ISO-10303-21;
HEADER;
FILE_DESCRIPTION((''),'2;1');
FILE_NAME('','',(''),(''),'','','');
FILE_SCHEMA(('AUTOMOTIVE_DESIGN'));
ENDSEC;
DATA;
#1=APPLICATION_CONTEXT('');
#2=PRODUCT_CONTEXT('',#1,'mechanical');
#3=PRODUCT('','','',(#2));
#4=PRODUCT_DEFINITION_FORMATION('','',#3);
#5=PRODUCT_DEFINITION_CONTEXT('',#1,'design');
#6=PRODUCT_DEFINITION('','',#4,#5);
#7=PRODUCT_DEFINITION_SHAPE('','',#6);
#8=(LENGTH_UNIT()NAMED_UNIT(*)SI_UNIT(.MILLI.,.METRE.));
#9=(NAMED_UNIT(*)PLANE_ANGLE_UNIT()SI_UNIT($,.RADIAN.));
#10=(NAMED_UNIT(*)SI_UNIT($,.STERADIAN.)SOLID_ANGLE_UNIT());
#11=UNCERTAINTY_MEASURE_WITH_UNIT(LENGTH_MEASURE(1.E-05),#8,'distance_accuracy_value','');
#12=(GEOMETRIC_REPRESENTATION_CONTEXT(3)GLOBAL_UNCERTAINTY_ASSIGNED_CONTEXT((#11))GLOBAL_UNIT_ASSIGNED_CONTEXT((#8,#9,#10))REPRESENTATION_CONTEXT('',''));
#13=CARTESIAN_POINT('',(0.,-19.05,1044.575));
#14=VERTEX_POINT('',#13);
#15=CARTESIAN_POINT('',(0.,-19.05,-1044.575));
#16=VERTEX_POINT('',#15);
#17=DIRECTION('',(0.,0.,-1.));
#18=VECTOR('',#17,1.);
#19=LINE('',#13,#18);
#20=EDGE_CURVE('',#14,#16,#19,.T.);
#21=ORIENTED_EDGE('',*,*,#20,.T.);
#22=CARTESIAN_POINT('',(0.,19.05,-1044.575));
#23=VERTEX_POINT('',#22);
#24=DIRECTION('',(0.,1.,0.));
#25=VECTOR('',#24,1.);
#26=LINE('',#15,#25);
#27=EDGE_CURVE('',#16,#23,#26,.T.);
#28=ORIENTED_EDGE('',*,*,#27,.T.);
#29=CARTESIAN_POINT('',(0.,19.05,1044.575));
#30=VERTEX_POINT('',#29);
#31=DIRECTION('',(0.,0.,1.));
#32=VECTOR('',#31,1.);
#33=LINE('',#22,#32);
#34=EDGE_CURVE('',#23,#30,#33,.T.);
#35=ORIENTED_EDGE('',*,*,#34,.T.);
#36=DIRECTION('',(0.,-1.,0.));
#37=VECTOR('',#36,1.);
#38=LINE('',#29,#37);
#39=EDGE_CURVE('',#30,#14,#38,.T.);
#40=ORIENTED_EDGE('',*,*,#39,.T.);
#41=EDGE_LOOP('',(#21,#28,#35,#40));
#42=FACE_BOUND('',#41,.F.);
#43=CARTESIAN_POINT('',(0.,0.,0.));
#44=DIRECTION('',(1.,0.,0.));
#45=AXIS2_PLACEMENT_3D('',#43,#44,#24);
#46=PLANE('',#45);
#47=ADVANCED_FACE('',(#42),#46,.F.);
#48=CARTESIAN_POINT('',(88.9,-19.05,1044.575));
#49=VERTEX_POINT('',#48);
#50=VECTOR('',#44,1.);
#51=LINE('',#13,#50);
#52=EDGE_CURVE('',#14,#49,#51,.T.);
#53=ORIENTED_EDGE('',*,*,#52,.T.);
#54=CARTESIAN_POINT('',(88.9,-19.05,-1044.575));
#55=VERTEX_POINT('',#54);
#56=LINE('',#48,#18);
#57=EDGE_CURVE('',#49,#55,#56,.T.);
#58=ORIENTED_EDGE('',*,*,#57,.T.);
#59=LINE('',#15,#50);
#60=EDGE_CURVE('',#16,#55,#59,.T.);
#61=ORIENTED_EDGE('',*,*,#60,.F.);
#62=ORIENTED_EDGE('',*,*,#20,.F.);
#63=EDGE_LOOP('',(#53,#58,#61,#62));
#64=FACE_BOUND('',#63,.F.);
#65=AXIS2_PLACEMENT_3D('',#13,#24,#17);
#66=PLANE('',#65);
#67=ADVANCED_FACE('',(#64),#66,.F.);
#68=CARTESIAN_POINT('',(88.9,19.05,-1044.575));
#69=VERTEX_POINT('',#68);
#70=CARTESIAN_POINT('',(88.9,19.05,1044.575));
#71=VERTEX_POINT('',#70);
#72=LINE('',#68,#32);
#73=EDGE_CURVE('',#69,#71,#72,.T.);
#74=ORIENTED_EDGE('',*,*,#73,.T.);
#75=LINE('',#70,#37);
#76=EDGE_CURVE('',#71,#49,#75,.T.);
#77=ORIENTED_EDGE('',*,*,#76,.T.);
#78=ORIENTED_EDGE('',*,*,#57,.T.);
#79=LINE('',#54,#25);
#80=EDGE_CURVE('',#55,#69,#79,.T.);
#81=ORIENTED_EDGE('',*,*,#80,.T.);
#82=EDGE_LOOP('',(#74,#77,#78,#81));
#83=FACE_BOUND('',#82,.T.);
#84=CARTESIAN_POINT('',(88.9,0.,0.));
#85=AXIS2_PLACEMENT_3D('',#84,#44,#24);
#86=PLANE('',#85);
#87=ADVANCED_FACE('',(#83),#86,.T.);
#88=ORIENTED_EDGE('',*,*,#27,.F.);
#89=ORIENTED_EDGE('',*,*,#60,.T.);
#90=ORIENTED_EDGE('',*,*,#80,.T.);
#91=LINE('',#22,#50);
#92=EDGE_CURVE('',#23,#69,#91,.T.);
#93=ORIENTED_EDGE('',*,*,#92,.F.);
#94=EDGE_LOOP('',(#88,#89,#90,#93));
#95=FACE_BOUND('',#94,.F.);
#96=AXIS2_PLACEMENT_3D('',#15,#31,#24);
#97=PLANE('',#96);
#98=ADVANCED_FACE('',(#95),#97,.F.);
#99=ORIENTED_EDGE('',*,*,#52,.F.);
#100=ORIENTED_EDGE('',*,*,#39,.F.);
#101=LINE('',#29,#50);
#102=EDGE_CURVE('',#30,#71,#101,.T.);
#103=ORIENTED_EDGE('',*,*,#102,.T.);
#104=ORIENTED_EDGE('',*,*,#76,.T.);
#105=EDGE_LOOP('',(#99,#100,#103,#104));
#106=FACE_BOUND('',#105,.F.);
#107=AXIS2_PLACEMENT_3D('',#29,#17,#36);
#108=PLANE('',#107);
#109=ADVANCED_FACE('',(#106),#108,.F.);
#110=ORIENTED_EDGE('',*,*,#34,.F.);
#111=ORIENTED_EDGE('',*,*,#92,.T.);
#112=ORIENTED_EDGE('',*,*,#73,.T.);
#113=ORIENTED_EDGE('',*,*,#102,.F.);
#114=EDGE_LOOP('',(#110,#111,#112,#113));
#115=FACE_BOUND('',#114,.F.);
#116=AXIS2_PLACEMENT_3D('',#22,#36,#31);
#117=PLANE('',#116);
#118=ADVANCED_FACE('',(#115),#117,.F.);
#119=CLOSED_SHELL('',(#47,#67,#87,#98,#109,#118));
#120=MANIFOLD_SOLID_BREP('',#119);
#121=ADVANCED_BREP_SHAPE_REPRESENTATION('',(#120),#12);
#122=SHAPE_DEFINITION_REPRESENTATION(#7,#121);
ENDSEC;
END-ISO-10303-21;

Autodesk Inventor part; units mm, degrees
ref_plane "YZ Plane" through (0, 0, 0) normal (1, 0, 0) x (0, 1, 0)
ref_plane "XZ Plane" through (0, 0, 0) normal (0, 1, 0) x (-1, 0, 0)
ref_plane "XY Plane" through (0, 0, 0) normal (0, 0, 1) x (1, 0, 0)
sketch "Sketch1" plane through (0, 0, 0) normal (1, 0, 0) x (0, 1, 0)
  line L0 (-19.05, 1044.575) -> (-19.05, -1044.575)
  line L1 (-19.05, -1044.575) -> (19.05, -1044.575)
  line L2 (19.05, -1044.575) -> (19.05, 1044.575)
  line L3 (19.05, 1044.575) -> (-19.05, 1044.575)
  line L4 (-19.05, 1044.575) -> (19.05, -1044.575) construction
  line L5 (-19.05, -1044.575) -> (19.05, 1044.575) construction
  point P0 (0, 0)
  dimension "d0" = 38.1
  dimension "d1" = 2089.15
extrude "Extrusion1" add sketch "Sketch1" along normal blind 88.9
properties part number "Lumber 2x4x82" material "Wood (Oak)"
